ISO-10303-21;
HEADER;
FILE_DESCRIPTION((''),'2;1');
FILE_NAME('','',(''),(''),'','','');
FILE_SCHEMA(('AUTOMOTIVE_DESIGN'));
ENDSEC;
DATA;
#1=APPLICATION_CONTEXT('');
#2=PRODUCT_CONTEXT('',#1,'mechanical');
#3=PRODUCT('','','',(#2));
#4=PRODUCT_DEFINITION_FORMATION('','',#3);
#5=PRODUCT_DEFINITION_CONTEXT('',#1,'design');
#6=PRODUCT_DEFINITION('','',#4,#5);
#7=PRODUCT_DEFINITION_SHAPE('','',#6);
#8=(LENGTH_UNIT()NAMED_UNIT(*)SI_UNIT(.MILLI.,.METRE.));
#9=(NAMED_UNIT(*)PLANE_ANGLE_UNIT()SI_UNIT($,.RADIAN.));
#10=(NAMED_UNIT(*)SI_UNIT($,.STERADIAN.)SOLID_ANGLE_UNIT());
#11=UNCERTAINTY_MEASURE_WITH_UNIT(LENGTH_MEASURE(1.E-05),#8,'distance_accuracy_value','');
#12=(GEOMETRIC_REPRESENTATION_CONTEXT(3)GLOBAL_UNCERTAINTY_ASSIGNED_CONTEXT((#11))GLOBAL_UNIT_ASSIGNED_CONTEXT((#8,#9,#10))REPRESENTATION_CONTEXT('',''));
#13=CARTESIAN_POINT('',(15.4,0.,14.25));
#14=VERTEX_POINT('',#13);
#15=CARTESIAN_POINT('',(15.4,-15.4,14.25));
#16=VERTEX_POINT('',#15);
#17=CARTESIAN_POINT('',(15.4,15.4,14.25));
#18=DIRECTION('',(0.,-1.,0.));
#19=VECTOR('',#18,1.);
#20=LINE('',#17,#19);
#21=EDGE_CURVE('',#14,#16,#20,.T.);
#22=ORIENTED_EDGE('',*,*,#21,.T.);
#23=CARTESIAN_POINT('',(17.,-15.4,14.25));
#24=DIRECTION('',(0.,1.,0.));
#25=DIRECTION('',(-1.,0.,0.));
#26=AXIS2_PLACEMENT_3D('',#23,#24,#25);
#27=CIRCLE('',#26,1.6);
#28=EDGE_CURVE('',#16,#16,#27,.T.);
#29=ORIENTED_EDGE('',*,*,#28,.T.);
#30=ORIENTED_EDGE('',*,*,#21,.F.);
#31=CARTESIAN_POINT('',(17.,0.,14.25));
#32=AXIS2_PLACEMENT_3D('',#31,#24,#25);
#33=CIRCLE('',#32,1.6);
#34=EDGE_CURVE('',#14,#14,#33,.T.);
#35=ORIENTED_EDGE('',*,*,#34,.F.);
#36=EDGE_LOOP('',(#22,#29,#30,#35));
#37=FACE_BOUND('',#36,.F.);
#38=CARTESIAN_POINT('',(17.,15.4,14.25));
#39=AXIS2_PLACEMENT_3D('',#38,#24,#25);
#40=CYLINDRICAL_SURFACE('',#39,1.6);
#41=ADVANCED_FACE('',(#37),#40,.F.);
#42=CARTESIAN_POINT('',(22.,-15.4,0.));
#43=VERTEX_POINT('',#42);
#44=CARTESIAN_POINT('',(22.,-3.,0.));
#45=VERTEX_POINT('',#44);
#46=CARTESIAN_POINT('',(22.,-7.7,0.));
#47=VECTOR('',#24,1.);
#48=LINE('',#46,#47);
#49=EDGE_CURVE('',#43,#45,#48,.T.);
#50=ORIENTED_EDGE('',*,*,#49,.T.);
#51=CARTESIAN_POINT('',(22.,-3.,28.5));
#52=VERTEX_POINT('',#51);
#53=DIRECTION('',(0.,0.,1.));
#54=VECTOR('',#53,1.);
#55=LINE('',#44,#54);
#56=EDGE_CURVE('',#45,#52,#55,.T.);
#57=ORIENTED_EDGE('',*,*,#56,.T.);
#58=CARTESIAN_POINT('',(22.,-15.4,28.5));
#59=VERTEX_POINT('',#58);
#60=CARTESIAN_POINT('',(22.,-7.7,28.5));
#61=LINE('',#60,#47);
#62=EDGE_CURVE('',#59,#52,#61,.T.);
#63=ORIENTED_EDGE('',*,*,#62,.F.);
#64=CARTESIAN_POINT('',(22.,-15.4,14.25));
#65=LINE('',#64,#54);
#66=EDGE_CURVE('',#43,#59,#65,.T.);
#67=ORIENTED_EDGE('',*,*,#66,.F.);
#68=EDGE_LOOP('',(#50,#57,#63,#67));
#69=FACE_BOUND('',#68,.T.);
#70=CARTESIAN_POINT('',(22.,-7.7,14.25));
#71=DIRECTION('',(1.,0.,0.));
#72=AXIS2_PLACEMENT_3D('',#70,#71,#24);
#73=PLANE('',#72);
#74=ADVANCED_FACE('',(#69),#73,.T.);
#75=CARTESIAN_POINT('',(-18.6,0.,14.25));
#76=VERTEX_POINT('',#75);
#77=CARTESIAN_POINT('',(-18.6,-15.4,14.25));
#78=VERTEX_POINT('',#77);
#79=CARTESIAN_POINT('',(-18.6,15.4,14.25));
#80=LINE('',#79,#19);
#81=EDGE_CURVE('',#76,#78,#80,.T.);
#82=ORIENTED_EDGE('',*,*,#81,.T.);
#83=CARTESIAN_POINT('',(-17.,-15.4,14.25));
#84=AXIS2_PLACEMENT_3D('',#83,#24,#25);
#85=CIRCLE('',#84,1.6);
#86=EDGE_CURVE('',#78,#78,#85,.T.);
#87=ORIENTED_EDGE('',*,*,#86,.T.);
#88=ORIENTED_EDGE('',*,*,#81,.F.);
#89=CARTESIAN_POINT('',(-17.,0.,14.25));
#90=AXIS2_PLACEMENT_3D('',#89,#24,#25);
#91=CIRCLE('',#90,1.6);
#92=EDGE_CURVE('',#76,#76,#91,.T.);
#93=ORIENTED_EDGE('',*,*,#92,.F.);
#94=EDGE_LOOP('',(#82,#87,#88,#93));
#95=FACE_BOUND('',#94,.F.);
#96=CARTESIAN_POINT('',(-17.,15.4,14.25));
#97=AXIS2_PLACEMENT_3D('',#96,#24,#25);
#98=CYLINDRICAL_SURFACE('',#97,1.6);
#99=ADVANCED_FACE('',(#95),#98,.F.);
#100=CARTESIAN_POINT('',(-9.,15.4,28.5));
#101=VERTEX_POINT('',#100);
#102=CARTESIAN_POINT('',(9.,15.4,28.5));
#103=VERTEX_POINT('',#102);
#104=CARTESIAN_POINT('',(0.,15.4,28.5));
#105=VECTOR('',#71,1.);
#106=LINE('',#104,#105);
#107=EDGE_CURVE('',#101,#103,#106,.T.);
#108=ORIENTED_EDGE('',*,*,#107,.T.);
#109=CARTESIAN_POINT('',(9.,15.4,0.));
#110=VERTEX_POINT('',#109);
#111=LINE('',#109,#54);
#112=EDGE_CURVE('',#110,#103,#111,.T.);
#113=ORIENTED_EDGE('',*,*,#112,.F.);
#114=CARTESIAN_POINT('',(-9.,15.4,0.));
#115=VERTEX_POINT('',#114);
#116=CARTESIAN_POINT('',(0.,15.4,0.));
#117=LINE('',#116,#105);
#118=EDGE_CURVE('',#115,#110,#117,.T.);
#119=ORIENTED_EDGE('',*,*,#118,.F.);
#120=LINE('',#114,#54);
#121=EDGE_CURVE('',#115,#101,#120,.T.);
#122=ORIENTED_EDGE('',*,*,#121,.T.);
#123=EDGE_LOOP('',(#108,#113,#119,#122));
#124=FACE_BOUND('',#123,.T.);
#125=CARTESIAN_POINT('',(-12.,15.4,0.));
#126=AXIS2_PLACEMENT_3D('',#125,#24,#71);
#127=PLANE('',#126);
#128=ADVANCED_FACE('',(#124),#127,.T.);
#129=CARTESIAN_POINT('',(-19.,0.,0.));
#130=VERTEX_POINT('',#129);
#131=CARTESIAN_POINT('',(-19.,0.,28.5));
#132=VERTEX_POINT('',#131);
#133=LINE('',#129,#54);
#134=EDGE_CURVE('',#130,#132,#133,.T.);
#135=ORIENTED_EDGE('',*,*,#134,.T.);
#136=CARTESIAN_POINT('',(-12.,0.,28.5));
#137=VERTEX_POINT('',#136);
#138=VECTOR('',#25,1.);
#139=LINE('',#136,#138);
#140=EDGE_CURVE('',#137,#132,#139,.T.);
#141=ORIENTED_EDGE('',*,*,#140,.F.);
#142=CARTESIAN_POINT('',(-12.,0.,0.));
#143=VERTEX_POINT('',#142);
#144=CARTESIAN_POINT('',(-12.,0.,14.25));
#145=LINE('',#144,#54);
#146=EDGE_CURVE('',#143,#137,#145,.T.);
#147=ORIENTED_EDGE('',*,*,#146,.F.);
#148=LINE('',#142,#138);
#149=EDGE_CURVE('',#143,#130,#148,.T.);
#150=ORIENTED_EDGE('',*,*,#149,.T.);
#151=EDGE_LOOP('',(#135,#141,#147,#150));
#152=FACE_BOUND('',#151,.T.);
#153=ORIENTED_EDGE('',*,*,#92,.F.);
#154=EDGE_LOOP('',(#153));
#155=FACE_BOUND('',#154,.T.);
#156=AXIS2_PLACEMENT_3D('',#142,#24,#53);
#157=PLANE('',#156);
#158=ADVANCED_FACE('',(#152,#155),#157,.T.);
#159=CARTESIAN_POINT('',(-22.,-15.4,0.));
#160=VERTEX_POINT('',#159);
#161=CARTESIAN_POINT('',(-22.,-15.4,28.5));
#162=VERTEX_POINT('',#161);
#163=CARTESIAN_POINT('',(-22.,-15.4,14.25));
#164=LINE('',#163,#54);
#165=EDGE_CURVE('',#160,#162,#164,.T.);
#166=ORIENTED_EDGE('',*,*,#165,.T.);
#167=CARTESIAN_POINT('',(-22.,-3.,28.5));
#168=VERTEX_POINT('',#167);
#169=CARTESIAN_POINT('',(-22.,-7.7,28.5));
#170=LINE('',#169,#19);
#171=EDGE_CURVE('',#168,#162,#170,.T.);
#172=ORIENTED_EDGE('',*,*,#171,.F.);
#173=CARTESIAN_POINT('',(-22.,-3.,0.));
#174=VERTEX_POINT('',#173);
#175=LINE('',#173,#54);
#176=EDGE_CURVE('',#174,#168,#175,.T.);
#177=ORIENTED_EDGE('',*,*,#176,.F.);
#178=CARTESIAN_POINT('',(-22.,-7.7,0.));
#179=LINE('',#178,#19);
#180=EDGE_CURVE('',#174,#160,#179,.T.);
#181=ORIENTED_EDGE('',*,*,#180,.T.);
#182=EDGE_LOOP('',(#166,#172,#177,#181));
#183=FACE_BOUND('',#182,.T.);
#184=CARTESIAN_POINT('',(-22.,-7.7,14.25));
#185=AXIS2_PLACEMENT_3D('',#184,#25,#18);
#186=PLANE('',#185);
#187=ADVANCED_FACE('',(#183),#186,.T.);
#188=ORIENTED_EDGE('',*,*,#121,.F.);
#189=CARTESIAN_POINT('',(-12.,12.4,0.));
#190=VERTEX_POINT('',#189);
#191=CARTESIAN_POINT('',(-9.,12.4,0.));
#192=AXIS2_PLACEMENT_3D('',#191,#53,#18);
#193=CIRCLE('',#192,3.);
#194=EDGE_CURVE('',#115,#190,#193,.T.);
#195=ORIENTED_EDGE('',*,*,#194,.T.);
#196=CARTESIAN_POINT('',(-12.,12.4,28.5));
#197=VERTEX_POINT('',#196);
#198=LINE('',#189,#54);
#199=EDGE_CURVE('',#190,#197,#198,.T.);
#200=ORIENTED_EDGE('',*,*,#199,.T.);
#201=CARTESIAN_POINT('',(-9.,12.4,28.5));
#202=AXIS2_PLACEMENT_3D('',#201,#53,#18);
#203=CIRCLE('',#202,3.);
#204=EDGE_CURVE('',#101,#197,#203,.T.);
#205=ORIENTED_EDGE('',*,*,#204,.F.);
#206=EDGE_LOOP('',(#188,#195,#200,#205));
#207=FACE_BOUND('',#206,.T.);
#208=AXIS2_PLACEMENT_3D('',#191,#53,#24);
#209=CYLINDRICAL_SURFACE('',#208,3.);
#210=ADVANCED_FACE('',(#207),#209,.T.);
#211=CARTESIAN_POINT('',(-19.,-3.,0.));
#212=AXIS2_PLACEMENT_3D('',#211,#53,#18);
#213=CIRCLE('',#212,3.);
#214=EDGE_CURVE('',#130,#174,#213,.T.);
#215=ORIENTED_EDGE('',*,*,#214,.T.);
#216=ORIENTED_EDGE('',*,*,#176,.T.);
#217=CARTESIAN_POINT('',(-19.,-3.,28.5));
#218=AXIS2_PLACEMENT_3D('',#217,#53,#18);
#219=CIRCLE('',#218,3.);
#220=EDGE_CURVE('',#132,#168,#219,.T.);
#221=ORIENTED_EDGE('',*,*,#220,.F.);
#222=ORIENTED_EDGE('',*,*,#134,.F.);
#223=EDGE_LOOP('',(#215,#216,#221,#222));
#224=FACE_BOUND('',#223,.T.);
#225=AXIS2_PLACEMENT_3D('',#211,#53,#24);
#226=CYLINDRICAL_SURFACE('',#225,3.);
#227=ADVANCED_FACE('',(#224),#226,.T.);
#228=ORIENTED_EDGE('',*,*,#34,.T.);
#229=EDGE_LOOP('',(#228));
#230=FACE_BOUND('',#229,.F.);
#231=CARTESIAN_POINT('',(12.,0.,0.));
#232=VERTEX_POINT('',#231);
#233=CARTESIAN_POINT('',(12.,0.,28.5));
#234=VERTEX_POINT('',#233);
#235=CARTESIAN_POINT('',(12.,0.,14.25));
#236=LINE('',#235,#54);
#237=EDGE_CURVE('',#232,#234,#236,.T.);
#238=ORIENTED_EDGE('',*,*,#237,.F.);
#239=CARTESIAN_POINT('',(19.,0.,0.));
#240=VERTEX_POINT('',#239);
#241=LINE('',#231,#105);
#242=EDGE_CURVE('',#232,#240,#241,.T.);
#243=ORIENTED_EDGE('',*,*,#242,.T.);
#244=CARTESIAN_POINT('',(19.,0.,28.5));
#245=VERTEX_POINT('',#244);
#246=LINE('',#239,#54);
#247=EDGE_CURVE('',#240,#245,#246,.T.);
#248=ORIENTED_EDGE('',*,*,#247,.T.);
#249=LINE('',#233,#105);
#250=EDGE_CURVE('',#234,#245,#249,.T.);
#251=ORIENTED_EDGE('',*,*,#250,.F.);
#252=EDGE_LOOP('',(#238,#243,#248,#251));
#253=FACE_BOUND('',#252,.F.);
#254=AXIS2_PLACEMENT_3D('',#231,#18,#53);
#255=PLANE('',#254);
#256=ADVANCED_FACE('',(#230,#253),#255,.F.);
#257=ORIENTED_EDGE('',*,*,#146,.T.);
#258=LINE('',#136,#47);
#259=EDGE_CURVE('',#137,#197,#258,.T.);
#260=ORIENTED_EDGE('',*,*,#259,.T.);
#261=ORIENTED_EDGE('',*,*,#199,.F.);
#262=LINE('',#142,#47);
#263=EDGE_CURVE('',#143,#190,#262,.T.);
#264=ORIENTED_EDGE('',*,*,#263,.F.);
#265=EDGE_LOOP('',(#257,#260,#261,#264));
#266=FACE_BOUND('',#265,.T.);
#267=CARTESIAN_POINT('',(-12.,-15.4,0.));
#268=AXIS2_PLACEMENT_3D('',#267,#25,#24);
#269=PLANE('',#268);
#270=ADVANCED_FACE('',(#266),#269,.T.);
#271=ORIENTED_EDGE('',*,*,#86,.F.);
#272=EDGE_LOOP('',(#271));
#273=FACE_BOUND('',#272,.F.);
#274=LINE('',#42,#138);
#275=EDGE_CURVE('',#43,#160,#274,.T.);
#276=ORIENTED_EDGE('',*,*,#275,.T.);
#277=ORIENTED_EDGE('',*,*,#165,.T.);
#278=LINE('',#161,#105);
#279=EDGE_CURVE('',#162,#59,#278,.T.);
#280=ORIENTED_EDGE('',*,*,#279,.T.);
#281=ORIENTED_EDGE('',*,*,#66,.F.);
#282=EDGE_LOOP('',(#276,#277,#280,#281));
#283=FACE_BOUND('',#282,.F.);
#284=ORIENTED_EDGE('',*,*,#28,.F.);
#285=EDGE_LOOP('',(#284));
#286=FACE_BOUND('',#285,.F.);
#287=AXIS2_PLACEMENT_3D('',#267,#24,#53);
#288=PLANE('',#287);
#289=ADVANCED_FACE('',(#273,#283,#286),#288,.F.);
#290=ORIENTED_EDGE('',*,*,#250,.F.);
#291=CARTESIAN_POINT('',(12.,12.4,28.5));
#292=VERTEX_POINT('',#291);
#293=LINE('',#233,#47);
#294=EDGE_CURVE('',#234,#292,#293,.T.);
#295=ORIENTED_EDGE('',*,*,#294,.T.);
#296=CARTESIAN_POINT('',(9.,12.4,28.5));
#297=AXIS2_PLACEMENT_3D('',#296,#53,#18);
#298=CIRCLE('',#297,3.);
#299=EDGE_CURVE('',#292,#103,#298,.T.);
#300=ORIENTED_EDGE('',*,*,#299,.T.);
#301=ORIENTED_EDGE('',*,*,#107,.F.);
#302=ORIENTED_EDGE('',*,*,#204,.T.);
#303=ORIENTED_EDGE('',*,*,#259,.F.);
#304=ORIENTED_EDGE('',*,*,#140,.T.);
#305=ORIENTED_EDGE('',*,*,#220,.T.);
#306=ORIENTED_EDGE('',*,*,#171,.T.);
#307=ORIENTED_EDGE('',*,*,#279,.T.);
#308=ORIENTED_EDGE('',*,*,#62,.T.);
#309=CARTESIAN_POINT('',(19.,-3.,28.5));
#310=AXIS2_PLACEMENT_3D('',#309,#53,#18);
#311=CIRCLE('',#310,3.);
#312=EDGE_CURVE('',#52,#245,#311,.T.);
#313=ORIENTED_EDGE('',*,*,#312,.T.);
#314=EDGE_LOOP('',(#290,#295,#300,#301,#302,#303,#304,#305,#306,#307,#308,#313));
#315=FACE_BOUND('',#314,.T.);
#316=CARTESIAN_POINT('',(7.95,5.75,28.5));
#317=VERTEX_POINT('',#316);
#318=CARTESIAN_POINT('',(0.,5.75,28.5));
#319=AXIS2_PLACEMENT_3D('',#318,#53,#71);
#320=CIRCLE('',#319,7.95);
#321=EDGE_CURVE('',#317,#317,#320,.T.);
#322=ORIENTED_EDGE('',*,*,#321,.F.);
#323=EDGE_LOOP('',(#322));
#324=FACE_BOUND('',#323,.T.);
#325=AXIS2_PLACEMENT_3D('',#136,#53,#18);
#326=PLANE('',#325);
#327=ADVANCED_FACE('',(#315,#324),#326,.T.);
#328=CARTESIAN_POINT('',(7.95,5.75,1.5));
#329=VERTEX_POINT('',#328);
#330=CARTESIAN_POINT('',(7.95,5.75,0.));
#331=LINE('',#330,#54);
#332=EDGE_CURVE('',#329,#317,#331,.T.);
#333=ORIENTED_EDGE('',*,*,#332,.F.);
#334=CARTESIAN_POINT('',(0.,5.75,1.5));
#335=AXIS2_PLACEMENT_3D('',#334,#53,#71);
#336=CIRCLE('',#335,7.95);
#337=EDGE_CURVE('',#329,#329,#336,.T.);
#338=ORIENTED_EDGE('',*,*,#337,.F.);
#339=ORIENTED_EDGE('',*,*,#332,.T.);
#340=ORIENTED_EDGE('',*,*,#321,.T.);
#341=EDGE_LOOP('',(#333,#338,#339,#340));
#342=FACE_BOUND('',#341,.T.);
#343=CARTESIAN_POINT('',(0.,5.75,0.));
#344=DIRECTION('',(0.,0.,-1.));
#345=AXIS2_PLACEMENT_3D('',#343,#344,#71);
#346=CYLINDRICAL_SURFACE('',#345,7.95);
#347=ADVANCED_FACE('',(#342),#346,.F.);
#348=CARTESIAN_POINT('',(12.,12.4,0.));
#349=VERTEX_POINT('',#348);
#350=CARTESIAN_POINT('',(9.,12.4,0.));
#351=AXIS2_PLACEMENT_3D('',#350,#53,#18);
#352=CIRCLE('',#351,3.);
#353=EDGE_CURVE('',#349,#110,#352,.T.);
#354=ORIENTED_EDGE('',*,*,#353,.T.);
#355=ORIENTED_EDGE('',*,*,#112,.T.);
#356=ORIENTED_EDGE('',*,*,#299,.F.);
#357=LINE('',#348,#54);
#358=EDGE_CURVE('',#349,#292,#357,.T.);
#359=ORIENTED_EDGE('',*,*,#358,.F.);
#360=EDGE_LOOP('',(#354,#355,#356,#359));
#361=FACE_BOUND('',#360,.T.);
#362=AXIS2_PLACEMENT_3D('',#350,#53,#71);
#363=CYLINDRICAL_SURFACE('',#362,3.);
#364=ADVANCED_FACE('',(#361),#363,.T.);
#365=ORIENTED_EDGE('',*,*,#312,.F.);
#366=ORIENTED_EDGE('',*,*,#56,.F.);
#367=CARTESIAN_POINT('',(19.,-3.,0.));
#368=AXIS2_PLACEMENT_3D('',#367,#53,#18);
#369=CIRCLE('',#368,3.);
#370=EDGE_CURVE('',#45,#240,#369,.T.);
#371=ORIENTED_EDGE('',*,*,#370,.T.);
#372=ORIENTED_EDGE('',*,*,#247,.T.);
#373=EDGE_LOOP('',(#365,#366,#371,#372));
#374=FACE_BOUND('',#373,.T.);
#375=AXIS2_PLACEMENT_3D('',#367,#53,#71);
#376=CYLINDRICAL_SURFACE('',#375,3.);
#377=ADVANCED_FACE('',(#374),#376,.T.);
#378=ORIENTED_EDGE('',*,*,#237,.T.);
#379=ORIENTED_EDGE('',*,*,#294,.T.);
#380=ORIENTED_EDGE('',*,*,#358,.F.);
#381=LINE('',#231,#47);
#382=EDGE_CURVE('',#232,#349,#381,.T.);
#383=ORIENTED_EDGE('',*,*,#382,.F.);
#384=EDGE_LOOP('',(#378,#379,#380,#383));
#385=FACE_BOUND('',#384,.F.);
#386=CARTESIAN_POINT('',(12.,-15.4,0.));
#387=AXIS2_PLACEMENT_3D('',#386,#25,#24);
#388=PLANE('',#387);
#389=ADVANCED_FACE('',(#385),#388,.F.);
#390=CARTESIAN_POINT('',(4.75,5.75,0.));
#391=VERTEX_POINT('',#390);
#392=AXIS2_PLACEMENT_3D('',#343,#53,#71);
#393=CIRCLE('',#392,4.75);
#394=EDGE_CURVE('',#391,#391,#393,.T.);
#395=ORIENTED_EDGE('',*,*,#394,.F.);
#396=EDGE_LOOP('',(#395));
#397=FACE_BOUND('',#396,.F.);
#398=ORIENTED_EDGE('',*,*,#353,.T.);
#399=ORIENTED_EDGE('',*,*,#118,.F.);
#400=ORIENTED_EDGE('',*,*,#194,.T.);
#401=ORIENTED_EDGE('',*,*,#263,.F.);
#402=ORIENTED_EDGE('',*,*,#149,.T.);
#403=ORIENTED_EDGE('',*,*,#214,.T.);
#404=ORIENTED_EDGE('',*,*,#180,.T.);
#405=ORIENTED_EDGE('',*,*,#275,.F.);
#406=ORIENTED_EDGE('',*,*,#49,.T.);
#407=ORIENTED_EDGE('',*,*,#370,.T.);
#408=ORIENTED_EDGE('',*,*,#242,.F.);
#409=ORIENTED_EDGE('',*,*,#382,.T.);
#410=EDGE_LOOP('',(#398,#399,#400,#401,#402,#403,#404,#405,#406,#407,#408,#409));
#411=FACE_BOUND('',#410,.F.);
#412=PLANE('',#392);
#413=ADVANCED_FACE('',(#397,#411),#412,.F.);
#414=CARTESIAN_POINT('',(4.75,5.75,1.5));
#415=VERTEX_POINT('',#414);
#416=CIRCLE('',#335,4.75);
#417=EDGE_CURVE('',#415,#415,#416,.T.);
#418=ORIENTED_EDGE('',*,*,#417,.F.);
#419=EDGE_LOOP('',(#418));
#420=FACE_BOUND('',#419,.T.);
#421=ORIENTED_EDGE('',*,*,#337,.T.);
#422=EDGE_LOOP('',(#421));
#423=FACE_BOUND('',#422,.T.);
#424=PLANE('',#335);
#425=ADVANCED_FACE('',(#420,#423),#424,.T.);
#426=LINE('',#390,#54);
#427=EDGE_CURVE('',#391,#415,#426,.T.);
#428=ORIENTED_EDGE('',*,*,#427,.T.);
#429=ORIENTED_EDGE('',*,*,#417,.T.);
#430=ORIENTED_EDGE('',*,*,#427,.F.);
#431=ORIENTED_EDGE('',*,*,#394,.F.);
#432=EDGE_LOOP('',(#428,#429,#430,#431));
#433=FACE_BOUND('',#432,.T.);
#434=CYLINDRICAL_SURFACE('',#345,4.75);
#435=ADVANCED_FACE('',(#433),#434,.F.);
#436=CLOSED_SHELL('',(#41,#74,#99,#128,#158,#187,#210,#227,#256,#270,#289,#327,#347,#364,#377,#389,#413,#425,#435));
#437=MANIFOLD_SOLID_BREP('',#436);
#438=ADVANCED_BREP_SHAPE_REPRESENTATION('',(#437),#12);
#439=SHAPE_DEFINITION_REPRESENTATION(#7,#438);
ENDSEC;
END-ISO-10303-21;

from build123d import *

# Parameters (mm, degrees)
F0_W     = 24
F0_H     = 30.8
F0_R     = 7.95
F1_DEPTH = 28.5
F3_W     = 15.4
F3_H     = 28.5
F4_DEPTH = 10
F2_W     = 15.4
F2_H     = 28.5
F5_DEPTH = 10
F6_R     = 1.6
F7_DEPTH = 30.801
F0_R_2   = 4.75
F8_DEPTH = 1.5
F9_R     = 3


with BuildPart() as f1:
    # F0 (on Top) → F1 (new body)
    with BuildSketch(Plane.XY):
        Rectangle(F0_W, F0_H)
        with Locations((0, 5.75)):
            Circle(F0_R, mode=Mode.SUBTRACT)
    extrude(amount=F1_DEPTH)

    # F3 (on face) → F4 (join)
    with BuildSketch(Plane.YZ.offset(12)):
        with Locations((-7.7, 14.25)):
            Rectangle(F3_W, F3_H)
    extrude(amount=F4_DEPTH)

    # F2 (on face) → F5 (join)
    with BuildSketch(Plane(origin=(-12, 0, 0), x_dir=(0, -1, 0), z_dir=(-1, 0, 0))):
        with Locations((7.7, 14.25)):
            Rectangle(F2_W, F2_H)
    extrude(amount=F5_DEPTH)

    # F6 (on face) → F7 (cut, through all)
    with BuildSketch(Plane(origin=(0, 15.4, 0), x_dir=(-1, 0, 0), z_dir=(0, 1, 0))):
        with Locations((-17, 14.25)):
            Circle(F6_R)
        with Locations((17, 14.25)):
            Circle(F6_R)
    extrude(amount=-F7_DEPTH, mode=Mode.SUBTRACT)

    # F0 (on Top) → F8 (join)
    with BuildSketch(Plane.XY):
        with Locations((0, 5.75)):
            Circle(F0_R)
        with Locations((0, 5.75)):
            Circle(F0_R_2, mode=Mode.SUBTRACT)
    extrude(amount=F8_DEPTH)

    # F9
    f9_edges = [f1.edges().sort_by_distance(p)[0] for p in [
        (12, 15.4, 14.25),
        (22, 0, 14.25),
        (-22, 0, 14.25),
        (-12, 15.4, 14.25),
    ]]
    fillet(f9_edges, radius=F9_R)


solid = f1.part
